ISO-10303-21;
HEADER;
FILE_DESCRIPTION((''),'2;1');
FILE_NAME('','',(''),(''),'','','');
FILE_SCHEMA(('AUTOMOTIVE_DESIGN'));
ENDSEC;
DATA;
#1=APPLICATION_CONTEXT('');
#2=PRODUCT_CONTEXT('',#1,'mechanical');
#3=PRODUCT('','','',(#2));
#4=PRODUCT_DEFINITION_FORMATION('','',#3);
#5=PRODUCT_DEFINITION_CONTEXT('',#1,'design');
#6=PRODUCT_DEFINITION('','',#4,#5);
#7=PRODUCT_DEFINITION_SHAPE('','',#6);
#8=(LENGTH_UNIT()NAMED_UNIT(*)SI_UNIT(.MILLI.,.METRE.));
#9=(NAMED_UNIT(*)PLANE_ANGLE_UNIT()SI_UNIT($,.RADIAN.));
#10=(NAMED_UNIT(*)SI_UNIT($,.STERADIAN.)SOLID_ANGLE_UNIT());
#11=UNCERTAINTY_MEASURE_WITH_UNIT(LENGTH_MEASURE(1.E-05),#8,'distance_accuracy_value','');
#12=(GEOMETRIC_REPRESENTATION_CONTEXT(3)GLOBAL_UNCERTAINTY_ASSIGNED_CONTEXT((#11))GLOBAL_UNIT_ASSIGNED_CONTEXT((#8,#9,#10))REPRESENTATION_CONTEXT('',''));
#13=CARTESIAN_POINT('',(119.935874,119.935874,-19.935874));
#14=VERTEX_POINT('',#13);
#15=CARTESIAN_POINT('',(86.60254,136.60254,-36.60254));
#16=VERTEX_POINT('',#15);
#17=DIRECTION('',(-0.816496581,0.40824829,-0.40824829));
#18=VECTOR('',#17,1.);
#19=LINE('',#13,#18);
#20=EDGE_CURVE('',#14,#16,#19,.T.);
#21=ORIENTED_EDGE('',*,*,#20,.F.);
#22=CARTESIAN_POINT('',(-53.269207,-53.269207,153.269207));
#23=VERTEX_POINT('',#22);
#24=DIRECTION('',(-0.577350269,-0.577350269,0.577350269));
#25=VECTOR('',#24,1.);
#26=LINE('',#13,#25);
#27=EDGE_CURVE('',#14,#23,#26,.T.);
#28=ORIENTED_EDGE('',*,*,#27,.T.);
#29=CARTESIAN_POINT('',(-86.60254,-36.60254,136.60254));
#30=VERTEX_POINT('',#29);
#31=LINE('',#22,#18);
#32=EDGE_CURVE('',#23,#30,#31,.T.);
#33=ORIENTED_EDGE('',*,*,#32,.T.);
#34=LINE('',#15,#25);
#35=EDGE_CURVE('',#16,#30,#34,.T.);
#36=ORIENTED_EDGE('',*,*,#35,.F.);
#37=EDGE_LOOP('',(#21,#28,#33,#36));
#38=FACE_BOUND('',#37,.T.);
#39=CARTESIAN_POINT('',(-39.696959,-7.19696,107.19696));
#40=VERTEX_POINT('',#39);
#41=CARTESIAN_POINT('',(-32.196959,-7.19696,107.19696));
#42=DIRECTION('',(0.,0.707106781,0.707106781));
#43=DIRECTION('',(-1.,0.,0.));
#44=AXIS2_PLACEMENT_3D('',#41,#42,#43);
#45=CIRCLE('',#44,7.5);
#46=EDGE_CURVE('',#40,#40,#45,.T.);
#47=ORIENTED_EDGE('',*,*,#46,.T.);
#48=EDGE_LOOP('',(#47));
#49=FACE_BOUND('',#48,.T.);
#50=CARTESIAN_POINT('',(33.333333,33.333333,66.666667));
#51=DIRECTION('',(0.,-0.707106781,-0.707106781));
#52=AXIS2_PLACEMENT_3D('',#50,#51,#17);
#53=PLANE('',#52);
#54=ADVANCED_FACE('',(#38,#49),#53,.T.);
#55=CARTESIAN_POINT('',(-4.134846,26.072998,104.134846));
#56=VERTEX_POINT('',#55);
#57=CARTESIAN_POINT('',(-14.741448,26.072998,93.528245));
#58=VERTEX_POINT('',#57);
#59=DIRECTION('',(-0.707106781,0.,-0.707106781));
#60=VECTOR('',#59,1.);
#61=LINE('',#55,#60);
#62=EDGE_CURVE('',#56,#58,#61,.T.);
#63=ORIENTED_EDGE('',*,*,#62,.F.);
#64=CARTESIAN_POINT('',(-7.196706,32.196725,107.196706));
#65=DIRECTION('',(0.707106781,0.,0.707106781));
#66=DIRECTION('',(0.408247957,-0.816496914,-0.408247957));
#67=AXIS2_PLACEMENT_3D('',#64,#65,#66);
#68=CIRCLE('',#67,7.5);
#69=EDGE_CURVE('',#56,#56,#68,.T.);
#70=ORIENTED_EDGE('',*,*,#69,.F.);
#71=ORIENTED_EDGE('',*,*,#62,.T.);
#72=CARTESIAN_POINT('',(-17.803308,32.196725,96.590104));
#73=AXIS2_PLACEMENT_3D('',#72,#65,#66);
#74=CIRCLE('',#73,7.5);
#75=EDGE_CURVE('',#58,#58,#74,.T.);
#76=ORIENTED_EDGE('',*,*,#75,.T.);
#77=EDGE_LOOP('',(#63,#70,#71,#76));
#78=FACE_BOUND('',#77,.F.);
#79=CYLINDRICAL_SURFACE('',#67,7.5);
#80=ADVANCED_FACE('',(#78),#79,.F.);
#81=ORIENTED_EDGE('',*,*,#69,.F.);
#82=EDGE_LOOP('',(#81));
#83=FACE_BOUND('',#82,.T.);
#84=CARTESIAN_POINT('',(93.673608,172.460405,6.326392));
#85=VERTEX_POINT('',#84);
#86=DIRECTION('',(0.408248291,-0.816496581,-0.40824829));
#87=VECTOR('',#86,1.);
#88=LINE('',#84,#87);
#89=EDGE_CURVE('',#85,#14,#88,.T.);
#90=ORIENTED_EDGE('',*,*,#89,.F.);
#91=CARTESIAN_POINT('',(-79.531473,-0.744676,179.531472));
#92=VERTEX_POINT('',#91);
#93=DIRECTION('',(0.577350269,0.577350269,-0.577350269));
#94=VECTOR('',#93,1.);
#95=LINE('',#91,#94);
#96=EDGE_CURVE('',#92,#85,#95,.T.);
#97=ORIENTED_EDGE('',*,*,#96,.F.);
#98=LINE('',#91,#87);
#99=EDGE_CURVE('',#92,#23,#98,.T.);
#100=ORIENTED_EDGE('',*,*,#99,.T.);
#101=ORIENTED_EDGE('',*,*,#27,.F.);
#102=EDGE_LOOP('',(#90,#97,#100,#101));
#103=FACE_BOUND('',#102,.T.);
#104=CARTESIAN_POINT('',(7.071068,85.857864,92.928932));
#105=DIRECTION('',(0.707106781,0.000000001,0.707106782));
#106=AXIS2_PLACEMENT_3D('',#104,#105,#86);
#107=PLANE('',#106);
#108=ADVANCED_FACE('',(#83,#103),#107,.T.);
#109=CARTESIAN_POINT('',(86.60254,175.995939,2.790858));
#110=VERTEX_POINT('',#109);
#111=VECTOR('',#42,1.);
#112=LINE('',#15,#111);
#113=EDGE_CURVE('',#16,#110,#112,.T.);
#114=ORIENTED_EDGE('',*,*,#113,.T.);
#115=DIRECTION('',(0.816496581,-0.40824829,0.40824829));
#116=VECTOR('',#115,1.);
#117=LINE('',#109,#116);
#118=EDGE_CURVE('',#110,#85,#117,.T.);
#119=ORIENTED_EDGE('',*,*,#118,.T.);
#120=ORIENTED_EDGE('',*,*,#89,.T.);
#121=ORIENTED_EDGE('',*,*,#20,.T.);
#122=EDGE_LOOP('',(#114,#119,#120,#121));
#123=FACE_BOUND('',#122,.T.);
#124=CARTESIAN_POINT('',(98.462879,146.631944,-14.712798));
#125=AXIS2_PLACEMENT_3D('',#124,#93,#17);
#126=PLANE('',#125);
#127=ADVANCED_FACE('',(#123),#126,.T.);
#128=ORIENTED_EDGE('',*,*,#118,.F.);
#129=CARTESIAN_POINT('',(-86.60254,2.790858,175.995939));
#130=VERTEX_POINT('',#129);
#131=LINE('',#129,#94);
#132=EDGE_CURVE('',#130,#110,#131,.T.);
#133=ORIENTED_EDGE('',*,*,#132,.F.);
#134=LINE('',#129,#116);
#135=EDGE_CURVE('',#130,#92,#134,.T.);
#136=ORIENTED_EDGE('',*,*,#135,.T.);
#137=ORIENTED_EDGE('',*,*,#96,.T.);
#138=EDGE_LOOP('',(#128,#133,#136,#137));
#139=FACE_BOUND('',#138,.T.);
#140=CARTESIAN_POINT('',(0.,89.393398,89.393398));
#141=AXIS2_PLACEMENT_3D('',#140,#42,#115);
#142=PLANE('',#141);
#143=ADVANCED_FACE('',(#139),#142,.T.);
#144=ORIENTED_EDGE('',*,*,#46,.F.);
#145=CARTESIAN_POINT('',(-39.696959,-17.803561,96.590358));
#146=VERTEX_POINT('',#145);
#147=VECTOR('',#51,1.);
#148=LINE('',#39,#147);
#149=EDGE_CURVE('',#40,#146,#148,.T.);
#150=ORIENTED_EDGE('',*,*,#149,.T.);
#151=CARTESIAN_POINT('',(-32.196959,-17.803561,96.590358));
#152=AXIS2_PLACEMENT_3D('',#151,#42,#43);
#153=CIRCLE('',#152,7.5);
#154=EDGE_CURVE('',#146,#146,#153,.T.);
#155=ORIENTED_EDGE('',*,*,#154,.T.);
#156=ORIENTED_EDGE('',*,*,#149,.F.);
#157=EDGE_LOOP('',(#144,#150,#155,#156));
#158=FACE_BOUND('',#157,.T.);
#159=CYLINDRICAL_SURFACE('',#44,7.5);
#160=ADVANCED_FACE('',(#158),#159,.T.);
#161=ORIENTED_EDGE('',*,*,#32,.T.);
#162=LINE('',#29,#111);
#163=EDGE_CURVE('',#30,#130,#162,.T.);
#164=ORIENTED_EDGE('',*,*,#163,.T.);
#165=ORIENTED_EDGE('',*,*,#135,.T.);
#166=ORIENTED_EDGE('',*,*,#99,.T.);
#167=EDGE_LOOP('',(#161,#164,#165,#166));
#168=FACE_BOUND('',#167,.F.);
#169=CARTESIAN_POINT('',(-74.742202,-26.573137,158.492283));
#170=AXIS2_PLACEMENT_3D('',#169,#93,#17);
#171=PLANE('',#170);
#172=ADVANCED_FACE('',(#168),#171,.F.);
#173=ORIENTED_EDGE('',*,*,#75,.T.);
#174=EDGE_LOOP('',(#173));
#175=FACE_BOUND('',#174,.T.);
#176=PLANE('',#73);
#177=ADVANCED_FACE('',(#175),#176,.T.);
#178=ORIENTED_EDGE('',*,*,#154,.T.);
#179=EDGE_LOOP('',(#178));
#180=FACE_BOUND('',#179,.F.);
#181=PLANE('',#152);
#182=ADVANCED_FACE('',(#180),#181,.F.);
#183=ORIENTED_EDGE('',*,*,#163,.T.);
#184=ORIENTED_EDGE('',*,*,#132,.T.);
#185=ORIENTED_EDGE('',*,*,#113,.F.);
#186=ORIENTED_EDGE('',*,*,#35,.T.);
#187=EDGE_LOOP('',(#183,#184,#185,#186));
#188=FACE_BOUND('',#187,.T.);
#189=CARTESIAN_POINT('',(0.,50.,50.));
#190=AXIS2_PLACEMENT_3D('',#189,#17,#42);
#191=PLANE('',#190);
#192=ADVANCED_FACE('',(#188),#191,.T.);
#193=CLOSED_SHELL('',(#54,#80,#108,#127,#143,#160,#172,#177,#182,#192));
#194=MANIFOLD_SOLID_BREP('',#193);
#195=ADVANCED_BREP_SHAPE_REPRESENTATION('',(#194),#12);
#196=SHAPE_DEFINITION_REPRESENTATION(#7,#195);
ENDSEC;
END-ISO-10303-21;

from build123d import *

# Parameters (mm, degrees)
PAD001_DEPTH            = 150
SKETCH001_R             = 7.5
PAD_DEPTH               = 15
SKETCH003_R             = 7.5
POCKET003_DEPTH         = 15
BODY004_PLACEMENT_ANGLE = 180


with BuildPart() as part:
    # Sketch002 (on DatumPlane) → Pad001 (new body, symmetric)
    with BuildSketch(Plane(origin=(0, -50, 50), x_dir=(0.816497, -0.408248, -0.408248), z_dir=(-0.57735, -0.57735, -0.57735))):
        Polygon((0, 0), (0, 55.710678), (-8.660254, 55.710678), (-40.824829, 0), align=None)
    extrude(amount=PAD001_DEPTH, both=True)

    # Sketch001 (on Face7 of Binder001) → Pad (join)
    with BuildSketch(Plane(origin=(0, -50, 50), x_dir=(1, 0, 0), z_dir=(0, -0.707107, 0.707107))):
        with Locations((32.196959, 80.888716)):
            Circle(SKETCH001_R)
    extrude(amount=-PAD_DEPTH)

    # Sketch003 (on Face6 of Pad) → Pocket003 (cut)
    with BuildSketch(Plane(origin=(-25, -50, 75), x_dir=(-0.408248, 0.816497, -0.408248), z_dir=(-0.707107, 0, 0.707107))):
        with Locations((-11.75216, -47.456286)):
            Circle(SKETCH003_R)
    extrude(amount=-POCKET003_DEPTH, mode=Mode.SUBTRACT)


with BuildPart() as part_1:
    # Body004 placement: moved
    add(part.part.rotate(Axis((0, 0, 0), (0, 0, 1)), BODY004_PLACEMENT_ANGLE))


solid = part_1.part
